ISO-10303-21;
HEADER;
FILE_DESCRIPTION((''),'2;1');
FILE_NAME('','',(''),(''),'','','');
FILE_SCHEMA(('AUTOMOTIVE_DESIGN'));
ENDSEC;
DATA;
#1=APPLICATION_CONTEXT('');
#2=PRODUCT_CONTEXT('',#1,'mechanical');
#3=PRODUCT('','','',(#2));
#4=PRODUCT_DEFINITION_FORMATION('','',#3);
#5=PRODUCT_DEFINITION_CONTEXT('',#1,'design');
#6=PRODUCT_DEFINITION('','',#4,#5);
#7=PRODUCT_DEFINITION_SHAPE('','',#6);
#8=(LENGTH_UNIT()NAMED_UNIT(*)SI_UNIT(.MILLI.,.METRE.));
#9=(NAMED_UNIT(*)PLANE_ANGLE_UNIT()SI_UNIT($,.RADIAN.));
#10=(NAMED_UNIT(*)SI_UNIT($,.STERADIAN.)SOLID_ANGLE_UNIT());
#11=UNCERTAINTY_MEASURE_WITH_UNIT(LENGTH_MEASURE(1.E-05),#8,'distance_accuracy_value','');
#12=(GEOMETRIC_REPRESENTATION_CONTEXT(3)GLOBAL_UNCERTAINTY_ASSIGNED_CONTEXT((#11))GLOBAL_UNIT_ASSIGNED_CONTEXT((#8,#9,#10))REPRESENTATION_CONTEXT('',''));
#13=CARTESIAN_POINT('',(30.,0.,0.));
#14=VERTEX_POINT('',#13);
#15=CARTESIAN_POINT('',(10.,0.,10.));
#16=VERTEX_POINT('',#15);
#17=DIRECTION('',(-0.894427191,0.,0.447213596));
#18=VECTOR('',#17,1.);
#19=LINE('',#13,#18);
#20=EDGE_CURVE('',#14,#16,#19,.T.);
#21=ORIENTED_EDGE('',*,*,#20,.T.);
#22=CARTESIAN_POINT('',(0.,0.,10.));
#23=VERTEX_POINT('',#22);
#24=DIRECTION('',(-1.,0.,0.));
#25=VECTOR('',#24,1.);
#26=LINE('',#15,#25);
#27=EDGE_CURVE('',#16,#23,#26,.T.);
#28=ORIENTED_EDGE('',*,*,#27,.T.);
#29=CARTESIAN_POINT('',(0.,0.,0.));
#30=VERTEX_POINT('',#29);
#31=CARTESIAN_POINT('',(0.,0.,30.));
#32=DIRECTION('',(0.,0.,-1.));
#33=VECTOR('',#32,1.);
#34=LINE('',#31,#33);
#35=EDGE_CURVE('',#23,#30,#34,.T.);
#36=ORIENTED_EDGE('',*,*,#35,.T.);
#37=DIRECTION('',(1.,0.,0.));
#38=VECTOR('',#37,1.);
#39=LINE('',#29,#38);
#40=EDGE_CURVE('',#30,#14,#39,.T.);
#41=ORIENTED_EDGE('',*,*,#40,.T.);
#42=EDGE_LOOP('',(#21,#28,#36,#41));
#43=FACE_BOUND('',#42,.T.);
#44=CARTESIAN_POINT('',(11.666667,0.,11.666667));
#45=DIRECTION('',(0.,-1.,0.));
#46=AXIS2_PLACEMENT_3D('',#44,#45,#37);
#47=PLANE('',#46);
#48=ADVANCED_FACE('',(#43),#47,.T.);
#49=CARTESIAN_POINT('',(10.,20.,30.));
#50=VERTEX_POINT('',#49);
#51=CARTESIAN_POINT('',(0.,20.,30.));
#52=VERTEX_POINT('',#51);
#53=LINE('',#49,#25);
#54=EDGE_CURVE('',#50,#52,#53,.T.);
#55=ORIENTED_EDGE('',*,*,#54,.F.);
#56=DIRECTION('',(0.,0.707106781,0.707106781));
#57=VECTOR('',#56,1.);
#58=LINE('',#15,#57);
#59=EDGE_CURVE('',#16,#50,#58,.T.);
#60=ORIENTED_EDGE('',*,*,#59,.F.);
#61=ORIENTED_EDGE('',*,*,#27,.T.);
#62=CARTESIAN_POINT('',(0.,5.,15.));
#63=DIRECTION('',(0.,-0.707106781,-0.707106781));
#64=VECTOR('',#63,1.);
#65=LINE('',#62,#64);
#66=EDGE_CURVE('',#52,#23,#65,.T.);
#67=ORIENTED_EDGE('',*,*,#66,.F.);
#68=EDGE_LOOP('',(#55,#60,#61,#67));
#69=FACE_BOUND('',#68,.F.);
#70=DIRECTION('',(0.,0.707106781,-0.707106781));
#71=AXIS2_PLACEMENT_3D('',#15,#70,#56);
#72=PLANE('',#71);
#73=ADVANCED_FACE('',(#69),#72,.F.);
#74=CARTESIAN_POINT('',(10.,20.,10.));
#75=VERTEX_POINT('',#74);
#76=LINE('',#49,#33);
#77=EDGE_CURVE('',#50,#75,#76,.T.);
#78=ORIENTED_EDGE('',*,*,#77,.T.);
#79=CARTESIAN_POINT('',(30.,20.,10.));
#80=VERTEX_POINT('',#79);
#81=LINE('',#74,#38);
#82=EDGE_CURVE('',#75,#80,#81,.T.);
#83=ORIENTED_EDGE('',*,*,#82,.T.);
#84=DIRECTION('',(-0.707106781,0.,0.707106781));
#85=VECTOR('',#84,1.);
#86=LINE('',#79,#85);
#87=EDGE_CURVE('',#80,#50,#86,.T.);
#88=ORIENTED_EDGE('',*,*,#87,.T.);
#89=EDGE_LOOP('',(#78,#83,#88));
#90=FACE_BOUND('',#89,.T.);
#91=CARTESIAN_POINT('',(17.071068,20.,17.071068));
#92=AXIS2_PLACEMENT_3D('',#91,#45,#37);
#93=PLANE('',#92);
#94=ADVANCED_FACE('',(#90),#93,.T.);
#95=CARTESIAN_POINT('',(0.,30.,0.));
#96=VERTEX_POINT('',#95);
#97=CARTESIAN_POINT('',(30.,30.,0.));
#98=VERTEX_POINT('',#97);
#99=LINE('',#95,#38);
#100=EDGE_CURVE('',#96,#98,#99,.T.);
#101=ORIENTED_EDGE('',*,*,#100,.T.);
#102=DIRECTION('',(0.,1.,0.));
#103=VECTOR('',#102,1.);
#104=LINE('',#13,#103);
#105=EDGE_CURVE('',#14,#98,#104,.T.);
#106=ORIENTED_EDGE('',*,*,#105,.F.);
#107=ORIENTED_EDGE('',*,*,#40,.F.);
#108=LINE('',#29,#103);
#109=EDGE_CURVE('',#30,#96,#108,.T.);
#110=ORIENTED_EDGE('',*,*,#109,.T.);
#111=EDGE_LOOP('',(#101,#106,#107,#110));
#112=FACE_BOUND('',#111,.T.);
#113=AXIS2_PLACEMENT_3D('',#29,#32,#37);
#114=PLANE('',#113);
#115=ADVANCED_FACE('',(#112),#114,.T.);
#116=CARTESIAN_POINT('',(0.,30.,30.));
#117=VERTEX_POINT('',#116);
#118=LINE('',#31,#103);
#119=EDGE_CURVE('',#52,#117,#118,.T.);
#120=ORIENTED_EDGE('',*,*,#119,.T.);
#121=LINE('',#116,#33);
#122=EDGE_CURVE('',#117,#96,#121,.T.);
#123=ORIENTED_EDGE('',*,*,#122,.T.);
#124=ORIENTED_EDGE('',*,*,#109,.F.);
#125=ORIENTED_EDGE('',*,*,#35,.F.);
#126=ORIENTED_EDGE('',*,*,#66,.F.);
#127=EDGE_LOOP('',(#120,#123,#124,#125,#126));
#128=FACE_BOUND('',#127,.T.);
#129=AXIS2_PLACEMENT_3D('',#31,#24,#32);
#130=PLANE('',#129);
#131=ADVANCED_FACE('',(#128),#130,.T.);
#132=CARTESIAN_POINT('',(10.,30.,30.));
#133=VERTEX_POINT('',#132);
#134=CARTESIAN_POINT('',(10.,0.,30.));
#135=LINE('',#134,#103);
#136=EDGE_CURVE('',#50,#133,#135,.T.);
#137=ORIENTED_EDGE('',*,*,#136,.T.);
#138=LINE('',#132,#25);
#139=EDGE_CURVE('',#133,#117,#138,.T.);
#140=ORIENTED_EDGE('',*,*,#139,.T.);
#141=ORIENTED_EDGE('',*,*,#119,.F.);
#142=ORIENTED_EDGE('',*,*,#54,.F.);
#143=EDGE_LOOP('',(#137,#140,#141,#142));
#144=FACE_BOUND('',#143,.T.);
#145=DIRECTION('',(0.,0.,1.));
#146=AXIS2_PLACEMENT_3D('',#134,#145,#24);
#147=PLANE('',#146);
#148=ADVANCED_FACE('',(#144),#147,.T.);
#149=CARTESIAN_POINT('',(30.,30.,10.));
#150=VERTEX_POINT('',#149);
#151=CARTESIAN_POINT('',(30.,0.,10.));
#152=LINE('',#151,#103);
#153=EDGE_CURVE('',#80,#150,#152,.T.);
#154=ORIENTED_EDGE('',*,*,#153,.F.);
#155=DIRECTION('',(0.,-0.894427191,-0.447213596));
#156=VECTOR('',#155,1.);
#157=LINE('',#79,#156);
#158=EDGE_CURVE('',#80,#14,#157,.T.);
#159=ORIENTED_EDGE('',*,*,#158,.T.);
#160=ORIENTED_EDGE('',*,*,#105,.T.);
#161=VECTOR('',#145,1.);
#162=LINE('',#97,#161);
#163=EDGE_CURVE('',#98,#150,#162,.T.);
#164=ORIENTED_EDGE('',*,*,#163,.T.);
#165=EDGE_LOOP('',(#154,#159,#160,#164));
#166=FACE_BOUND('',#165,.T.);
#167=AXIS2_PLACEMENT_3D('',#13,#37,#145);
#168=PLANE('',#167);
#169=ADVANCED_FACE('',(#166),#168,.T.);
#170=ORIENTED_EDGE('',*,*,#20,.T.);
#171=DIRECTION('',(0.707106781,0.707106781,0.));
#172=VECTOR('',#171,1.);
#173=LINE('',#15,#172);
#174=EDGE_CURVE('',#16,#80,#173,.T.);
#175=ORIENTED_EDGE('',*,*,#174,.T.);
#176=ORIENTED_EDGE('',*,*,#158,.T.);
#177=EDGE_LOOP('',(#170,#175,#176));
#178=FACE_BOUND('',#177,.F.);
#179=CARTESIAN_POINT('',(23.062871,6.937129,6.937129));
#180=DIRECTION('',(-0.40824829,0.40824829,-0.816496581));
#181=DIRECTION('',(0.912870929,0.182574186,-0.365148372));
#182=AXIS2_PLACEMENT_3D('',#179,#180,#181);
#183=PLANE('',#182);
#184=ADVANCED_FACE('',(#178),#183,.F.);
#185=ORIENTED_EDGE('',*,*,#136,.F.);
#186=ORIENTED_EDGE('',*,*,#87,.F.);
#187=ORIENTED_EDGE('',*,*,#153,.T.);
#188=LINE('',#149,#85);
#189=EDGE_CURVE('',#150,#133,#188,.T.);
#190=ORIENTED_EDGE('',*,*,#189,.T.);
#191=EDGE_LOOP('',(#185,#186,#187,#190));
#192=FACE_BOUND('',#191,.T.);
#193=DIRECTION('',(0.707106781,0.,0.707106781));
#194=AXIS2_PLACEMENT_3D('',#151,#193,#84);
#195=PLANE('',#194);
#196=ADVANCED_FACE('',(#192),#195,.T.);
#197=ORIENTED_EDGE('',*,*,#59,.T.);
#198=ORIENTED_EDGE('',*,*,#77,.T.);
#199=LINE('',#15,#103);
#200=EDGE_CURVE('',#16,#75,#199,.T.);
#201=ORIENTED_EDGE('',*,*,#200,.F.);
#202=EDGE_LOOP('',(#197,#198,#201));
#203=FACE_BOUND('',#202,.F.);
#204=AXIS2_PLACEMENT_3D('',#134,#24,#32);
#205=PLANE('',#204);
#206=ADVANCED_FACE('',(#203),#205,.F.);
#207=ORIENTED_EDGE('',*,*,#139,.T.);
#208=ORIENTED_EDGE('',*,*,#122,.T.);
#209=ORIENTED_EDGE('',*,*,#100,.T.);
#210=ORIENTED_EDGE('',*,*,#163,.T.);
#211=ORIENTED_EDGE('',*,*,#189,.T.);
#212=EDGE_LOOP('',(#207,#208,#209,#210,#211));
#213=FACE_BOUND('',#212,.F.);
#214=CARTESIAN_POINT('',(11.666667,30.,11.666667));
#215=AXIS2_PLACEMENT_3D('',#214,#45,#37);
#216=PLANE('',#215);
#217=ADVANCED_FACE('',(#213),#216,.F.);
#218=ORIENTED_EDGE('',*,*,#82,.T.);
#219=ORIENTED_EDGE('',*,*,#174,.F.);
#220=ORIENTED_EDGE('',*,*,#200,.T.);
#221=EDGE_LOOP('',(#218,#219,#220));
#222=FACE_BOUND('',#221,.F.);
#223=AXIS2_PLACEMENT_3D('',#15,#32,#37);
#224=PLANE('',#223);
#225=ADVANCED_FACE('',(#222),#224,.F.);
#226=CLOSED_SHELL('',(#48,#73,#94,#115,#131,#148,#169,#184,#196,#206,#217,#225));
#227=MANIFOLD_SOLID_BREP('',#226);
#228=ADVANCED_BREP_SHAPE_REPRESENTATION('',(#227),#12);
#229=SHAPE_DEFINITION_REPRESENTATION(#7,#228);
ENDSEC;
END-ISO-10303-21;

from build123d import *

# Parameters (mm, degrees)
F1_DEPTH = 30
F2_DEPTH = 20
F4_DEPTH = 10.001
F7_DEPTH = 24.4958974278


with BuildPart() as f1:
    # F0 (on Front) → F1 (new body)
    with BuildSketch(Plane.XZ):
        Polygon((0, 30), (0, 0), (30, 0), (30, 10), (10, 10), (10, 30), align=None)
        Polygon((10, 10), (30, 10), (10, 30), align=None)
    extrude(amount=-F1_DEPTH)

    # F0 (on Front) → F2 (cut)
    with BuildSketch(Plane.XZ):
        Polygon((10, 10), (30, 10), (10, 30), align=None)
    extrude(amount=-F2_DEPTH, mode=Mode.SUBTRACT)

    # F3 (on face) → F4 (cut, through all)
    with BuildSketch(Plane.YZ.offset(10)):
        Polygon((0, 10), (20, 30), (0, 30), align=None)
    extrude(amount=-F4_DEPTH, mode=Mode.SUBTRACT)

    # F6 (on 3pt) → F7 (cut, through all)
    with BuildSketch(Plane(origin=(5, -5, 10), x_dir=(0.9128709292, 0.1825741858, -0.3651483717), z_dir=(-0.4082482905, 0.4082482905, -0.8164965809))):
        Polygon((5.4772255751, -4.472135955), (27.3861278753, -22.360679775), (27.3861278753, 0), align=None)
    extrude(amount=-F7_DEPTH, mode=Mode.SUBTRACT)


solid = f1.part
